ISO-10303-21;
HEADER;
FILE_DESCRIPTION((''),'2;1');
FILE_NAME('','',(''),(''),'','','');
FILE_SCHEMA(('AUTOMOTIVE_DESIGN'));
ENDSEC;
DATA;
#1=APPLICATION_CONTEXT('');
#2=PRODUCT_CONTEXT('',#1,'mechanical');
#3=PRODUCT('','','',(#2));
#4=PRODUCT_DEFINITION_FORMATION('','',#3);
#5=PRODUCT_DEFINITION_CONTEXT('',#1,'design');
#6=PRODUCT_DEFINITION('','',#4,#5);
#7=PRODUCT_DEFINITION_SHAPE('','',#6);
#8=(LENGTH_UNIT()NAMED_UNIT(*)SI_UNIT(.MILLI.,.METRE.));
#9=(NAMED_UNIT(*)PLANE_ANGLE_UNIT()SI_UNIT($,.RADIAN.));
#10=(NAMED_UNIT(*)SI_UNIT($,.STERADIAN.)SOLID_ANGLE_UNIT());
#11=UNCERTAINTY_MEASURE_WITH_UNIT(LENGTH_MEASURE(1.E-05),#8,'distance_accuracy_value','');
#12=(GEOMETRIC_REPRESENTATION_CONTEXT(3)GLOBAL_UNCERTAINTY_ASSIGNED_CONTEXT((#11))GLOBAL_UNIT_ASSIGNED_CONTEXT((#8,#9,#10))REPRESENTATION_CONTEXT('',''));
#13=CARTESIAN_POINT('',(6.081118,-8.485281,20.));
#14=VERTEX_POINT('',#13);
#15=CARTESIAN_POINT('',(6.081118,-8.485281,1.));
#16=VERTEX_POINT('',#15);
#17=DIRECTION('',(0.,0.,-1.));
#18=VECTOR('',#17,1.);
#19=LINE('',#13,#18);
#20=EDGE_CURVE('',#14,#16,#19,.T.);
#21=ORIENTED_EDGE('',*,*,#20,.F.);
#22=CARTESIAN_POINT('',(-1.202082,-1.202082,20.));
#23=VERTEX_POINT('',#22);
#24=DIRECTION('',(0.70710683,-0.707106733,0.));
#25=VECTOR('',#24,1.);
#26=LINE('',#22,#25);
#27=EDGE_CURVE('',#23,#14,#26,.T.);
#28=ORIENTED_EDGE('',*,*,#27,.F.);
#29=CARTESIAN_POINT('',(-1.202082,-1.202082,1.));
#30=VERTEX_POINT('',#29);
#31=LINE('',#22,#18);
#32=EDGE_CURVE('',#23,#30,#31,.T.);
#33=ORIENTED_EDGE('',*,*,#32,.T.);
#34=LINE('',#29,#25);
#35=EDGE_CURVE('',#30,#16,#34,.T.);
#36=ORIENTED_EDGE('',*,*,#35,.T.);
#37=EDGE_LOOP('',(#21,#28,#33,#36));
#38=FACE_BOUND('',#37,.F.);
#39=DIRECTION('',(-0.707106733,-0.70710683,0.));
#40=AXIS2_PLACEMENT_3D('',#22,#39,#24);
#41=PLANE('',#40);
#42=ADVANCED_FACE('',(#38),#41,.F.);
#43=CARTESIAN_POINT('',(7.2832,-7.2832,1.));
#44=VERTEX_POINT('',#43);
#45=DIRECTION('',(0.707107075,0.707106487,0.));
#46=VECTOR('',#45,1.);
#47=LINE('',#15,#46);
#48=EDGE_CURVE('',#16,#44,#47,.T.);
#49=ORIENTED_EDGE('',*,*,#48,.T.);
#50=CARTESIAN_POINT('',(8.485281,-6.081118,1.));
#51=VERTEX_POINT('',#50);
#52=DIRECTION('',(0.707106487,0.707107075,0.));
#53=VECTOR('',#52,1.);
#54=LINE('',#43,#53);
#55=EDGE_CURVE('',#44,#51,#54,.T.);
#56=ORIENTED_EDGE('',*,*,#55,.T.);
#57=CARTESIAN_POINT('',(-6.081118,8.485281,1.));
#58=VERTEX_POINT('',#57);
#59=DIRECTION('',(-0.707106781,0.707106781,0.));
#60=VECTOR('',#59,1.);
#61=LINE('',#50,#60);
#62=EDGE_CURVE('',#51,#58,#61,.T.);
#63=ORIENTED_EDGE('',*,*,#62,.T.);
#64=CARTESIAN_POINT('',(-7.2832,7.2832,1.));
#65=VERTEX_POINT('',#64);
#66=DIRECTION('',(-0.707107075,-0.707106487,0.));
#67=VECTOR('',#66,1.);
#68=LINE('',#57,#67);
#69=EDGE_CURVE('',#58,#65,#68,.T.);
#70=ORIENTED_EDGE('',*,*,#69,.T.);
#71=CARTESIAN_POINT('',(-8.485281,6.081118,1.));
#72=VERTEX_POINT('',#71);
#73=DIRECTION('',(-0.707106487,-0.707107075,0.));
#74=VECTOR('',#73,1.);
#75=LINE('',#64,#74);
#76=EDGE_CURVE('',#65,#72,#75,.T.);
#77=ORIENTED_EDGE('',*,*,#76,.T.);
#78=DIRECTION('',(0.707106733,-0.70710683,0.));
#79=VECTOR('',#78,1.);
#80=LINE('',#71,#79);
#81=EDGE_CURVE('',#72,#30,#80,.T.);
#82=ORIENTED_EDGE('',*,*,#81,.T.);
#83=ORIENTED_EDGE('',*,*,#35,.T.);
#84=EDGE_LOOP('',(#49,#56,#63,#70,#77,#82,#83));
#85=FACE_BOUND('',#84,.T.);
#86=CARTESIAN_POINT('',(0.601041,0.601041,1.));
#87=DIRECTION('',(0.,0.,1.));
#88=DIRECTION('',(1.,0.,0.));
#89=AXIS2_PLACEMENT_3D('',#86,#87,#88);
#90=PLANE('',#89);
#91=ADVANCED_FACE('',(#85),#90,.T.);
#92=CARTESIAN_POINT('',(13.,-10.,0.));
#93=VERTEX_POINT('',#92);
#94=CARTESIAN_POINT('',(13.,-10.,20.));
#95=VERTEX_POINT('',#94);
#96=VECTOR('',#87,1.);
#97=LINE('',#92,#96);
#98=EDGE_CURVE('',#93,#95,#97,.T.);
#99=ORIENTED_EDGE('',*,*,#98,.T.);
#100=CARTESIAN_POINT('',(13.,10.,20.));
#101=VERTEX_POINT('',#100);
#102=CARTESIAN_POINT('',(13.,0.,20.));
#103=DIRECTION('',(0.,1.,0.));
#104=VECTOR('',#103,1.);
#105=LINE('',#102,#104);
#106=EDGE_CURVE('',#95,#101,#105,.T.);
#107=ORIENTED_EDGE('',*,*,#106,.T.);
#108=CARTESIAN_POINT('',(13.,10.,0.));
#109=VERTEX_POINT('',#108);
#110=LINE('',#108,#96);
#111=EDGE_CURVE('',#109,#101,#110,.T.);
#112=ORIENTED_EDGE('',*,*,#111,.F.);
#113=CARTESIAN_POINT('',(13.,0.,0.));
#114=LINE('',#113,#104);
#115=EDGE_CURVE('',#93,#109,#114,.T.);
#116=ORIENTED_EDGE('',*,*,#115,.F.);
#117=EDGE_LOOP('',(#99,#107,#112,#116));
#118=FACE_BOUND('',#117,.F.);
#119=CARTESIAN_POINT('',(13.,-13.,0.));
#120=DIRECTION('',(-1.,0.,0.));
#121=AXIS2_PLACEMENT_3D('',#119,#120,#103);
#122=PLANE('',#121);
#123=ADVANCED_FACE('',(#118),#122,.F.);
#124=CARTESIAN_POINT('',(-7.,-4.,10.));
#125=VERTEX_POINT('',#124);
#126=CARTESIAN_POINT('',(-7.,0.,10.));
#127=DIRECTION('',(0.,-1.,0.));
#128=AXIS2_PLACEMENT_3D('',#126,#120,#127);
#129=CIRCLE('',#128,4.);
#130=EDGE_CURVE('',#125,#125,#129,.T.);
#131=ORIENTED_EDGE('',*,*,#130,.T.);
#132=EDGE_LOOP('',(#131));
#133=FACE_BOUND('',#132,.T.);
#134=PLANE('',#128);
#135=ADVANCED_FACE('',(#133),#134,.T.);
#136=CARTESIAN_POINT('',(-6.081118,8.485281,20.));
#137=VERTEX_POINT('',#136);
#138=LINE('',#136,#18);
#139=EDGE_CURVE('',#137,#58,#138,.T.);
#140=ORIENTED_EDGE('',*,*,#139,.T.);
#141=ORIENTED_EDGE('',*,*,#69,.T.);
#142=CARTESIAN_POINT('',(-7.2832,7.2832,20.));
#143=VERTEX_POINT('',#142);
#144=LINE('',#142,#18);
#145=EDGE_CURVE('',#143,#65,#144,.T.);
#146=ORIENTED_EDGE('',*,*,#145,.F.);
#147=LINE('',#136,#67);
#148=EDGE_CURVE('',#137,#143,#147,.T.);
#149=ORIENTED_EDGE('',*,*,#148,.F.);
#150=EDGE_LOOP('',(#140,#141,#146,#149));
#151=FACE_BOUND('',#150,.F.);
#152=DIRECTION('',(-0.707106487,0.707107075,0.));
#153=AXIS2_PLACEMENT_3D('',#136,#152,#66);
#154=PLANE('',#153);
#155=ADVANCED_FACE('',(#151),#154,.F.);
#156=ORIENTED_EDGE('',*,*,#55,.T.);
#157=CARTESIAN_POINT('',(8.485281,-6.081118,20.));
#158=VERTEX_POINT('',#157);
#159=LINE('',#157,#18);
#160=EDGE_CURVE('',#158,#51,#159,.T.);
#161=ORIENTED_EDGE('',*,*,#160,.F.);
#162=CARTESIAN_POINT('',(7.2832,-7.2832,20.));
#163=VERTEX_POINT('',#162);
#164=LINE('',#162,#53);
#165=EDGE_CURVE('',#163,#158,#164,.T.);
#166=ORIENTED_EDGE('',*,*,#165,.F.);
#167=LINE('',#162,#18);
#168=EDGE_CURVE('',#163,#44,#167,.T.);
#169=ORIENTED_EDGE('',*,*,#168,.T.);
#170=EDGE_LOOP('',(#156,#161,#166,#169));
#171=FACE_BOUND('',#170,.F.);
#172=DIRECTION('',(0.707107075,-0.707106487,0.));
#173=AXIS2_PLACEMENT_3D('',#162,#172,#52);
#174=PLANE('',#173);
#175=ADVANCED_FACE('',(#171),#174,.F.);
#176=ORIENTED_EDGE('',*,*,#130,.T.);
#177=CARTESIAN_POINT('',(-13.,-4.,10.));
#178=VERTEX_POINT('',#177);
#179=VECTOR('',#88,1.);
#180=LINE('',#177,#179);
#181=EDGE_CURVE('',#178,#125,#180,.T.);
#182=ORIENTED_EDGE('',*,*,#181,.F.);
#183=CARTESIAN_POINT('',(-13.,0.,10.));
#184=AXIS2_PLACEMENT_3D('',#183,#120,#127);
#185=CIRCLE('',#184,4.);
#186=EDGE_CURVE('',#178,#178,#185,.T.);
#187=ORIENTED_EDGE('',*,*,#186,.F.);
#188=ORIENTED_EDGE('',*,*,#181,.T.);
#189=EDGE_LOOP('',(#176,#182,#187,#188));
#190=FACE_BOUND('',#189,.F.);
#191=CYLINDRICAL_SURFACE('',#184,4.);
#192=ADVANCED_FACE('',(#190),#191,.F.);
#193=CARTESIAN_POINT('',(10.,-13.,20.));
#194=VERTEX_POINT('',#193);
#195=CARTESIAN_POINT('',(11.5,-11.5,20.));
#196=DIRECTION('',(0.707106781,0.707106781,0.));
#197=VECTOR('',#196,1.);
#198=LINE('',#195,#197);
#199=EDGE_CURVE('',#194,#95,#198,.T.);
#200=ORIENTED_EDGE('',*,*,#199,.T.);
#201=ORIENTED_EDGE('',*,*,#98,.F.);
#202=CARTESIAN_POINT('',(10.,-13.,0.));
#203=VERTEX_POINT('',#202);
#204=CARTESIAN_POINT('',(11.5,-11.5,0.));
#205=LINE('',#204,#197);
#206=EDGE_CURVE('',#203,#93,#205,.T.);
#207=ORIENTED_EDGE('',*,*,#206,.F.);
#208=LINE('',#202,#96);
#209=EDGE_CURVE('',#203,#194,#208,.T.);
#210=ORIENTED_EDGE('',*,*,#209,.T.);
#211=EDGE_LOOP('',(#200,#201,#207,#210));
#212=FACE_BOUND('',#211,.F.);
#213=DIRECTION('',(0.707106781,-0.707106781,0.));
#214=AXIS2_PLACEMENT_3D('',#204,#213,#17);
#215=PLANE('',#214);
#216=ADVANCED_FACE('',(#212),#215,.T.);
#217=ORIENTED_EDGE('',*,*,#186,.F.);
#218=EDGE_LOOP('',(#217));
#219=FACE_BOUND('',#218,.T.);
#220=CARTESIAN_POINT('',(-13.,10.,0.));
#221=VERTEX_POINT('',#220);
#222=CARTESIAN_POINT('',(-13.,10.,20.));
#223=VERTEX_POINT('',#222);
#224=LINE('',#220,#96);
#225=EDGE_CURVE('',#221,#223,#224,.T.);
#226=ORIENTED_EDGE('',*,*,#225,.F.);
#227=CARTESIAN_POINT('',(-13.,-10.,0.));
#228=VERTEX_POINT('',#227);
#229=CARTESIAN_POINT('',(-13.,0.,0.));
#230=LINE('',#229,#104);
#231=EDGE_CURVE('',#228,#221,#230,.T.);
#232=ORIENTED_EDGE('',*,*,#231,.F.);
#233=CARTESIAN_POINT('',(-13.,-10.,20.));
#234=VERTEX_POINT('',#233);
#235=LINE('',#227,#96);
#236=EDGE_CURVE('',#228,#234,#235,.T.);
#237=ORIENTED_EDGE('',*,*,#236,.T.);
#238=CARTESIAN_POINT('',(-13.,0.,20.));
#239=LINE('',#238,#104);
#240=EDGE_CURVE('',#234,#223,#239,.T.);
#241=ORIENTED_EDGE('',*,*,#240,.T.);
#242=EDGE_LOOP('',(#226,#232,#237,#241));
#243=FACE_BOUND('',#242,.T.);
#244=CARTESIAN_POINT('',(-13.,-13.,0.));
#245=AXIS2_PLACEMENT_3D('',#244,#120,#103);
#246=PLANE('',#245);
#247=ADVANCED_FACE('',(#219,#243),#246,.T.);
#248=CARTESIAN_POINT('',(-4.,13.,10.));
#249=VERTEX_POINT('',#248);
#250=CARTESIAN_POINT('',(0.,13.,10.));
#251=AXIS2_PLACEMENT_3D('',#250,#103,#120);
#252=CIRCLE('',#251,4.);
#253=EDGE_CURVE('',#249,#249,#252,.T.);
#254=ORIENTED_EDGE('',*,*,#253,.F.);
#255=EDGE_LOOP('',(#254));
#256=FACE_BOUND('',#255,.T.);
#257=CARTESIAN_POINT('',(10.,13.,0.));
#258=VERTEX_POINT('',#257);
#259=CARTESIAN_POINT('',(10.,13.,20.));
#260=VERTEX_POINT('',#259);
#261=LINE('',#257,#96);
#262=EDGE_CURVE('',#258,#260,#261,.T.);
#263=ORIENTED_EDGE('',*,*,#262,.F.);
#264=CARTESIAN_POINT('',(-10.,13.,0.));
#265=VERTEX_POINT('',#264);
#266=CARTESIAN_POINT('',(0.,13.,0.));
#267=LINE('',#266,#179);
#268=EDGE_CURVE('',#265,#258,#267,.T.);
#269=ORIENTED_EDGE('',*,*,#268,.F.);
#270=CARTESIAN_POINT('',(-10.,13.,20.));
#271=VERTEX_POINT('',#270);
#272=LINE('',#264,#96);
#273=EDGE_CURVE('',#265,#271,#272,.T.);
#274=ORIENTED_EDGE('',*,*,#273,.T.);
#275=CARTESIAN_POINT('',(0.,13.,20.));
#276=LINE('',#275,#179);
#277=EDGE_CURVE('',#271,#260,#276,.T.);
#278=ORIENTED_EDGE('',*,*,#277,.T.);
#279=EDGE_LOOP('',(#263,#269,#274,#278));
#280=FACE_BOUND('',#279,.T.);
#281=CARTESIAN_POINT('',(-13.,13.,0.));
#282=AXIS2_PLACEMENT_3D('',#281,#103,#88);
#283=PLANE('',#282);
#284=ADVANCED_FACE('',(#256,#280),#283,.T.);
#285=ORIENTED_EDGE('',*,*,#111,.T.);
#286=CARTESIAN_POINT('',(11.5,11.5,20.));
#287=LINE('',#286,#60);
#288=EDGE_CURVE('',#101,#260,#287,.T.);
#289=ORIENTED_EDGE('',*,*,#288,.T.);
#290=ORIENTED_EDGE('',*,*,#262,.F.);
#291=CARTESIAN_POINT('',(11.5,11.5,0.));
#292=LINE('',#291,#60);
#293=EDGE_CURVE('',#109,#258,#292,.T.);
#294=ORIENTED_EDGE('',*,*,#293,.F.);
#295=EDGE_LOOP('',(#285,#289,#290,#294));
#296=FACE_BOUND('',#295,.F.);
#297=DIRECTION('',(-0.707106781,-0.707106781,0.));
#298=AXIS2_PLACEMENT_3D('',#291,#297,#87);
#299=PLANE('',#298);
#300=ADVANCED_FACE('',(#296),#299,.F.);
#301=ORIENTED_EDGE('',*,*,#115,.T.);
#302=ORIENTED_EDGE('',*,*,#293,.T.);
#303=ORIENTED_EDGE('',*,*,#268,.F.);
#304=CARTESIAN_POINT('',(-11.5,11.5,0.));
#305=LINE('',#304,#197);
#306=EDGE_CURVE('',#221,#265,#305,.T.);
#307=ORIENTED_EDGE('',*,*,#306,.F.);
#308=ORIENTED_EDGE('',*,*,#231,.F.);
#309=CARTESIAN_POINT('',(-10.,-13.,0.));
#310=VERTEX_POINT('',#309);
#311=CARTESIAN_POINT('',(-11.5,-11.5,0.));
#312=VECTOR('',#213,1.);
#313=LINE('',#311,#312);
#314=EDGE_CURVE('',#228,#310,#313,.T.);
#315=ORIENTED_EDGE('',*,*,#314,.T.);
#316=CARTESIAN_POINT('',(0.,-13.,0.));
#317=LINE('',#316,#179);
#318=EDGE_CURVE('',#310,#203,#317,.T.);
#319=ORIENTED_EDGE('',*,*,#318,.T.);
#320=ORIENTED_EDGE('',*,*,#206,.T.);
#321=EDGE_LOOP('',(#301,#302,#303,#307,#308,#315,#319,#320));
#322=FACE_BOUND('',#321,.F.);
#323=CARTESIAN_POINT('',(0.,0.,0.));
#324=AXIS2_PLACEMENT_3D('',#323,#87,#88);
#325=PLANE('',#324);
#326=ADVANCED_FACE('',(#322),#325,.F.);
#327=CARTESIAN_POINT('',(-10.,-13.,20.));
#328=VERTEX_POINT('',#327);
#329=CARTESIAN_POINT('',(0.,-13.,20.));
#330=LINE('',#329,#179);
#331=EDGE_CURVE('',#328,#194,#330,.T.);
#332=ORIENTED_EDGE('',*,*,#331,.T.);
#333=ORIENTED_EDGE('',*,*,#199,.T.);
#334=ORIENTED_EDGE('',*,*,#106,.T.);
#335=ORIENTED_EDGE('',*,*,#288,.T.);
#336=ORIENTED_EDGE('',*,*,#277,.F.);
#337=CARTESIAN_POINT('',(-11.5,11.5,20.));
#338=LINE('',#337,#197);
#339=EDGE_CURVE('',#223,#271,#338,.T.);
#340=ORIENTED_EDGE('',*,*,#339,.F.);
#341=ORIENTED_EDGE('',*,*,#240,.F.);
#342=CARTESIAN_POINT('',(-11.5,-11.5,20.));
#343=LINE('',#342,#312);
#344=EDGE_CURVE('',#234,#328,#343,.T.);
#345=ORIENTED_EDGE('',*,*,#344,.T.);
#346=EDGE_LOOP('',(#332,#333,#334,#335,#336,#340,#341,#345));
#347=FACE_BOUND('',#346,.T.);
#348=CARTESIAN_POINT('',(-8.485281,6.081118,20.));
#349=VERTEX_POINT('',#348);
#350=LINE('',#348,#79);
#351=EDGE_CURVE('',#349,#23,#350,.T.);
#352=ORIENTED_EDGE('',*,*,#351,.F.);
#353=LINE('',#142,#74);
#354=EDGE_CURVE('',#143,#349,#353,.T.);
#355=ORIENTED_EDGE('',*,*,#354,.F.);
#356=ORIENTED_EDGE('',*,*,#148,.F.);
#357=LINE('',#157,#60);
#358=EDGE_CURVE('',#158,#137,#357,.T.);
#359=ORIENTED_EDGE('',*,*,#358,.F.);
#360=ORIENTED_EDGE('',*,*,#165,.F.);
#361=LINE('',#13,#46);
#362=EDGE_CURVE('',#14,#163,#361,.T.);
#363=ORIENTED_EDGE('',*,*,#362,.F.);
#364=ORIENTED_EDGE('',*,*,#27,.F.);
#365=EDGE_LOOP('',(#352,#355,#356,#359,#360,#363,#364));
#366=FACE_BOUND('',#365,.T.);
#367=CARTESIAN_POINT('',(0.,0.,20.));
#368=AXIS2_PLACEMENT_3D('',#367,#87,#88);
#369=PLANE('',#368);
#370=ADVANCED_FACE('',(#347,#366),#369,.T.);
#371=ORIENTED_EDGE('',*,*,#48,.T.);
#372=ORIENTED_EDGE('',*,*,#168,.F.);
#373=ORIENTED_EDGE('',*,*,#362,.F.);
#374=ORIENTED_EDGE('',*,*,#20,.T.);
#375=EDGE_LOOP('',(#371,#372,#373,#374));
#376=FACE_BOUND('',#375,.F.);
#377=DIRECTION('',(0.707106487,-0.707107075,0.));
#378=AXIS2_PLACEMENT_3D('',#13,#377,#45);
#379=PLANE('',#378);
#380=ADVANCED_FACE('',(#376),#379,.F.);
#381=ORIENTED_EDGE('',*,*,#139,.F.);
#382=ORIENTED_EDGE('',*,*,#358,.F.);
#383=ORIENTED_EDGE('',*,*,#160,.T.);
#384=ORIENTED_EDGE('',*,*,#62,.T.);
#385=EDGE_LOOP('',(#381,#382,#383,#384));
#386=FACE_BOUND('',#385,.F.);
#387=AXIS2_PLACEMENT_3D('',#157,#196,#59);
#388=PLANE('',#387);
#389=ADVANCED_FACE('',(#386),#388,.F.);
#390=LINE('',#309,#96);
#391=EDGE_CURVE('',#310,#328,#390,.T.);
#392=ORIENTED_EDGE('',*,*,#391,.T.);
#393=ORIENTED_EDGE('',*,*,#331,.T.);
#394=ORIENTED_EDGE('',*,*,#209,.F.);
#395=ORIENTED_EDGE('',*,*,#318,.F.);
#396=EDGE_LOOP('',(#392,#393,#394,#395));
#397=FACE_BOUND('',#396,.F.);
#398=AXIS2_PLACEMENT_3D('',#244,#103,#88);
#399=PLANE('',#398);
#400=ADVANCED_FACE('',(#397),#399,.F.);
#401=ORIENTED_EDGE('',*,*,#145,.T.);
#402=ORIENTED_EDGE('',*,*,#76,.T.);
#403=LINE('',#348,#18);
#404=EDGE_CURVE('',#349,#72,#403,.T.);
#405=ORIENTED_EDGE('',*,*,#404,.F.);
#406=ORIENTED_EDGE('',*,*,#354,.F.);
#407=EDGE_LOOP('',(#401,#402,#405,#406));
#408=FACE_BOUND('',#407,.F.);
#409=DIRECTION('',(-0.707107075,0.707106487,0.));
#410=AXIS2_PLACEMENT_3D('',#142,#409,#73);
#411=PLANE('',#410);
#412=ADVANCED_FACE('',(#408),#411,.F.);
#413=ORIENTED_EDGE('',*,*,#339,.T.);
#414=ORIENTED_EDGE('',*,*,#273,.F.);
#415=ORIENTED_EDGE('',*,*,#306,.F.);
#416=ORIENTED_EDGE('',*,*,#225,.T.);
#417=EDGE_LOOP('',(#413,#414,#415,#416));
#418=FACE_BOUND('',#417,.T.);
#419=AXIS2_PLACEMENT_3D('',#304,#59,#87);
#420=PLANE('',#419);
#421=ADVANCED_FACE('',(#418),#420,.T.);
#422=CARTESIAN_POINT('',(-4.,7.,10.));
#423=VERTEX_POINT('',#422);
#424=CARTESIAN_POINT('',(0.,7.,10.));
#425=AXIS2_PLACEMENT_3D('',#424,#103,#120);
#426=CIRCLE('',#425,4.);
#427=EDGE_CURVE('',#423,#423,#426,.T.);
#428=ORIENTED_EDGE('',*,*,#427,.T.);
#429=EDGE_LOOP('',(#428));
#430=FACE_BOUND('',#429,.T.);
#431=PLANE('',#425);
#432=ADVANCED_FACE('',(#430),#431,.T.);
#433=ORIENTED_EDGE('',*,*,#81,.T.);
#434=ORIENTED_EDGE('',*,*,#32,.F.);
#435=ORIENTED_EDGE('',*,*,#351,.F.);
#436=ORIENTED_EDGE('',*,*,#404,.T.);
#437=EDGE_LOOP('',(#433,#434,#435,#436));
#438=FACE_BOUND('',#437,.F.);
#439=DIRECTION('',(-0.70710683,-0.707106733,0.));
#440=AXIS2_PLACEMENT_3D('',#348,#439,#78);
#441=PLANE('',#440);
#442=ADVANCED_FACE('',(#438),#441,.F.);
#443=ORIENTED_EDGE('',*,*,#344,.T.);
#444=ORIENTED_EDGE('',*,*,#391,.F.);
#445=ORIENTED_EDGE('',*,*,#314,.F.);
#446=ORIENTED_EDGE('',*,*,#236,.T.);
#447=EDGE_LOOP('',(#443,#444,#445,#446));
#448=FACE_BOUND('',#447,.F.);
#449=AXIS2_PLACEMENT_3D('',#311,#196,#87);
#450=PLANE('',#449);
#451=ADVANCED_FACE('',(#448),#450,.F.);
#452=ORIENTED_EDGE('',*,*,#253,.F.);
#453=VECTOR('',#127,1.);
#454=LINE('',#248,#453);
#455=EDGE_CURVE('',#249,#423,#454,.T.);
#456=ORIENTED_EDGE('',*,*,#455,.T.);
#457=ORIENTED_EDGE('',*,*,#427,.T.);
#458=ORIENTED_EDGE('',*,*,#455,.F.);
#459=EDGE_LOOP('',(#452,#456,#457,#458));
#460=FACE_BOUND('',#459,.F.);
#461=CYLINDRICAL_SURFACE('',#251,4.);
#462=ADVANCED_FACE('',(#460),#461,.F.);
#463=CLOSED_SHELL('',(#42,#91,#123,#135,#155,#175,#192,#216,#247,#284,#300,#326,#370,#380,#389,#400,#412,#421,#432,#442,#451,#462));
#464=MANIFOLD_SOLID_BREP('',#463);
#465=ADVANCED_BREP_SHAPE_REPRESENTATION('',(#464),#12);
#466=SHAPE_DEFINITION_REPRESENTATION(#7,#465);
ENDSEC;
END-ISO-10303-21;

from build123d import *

# Parameters (mm, degrees)
F0_W     = 26
F0_H     = 26
F1_DEPTH = 20
F2_SIZE  = 3
F4_DEPTH = 19
F5_R     = 4
F6_DEPTH = 6
F7_R     = 4
F8_DEPTH = 6


with BuildPart() as f1:
    # F0 (on Top) → F1 (new body)
    with BuildSketch(Plane.XY):
        Rectangle(F0_W, F0_H)
    extrude(amount=F1_DEPTH)

    # F2
    f2_edges = [f1.edges().sort_by_distance(p)[0] for p in [
        (-13, -13, 10),
        (13, -13, 10),
        (13, 13, 10),
        (-13, 13, 10),
    ]]
    chamfer(f2_edges, length=F2_SIZE)

    # F3 (on face) → F4 (cut)
    with BuildSketch(Plane.XY.offset(20)):
        Polygon((-6.081118, 8.485281), (-7.2832, 7.2832), (0, 0), (7.2832, -7.2832), (8.485281, -6.081118), align=None)
        Polygon((0, 0), (-7.2832, 7.2832), (-8.485281, 6.081118), (-1.202082, -1.202082), align=None)
        Polygon((7.2832, -7.2832), (0, 0), (-1.202082, -1.202082), (6.081118, -8.485281), align=None)
    extrude(amount=-F4_DEPTH, mode=Mode.SUBTRACT)

    # F5 (on face) → F6 (cut)
    with BuildSketch(Plane(origin=(-13, 0, 0), x_dir=(0, -1, 0), z_dir=(-1, 0, 0))):
        with Locations((0, 10)):
            Circle(F5_R)
    extrude(amount=-F6_DEPTH, mode=Mode.SUBTRACT)

    # F7 (on face) → F8 (cut)
    with BuildSketch(Plane(origin=(0, 13, 0), x_dir=(-1, 0, 0), z_dir=(0, 1, 0))):
        with Locations((0, 10)):
            Circle(F7_R)
    extrude(amount=-F8_DEPTH, mode=Mode.SUBTRACT)


solid = f1.part
